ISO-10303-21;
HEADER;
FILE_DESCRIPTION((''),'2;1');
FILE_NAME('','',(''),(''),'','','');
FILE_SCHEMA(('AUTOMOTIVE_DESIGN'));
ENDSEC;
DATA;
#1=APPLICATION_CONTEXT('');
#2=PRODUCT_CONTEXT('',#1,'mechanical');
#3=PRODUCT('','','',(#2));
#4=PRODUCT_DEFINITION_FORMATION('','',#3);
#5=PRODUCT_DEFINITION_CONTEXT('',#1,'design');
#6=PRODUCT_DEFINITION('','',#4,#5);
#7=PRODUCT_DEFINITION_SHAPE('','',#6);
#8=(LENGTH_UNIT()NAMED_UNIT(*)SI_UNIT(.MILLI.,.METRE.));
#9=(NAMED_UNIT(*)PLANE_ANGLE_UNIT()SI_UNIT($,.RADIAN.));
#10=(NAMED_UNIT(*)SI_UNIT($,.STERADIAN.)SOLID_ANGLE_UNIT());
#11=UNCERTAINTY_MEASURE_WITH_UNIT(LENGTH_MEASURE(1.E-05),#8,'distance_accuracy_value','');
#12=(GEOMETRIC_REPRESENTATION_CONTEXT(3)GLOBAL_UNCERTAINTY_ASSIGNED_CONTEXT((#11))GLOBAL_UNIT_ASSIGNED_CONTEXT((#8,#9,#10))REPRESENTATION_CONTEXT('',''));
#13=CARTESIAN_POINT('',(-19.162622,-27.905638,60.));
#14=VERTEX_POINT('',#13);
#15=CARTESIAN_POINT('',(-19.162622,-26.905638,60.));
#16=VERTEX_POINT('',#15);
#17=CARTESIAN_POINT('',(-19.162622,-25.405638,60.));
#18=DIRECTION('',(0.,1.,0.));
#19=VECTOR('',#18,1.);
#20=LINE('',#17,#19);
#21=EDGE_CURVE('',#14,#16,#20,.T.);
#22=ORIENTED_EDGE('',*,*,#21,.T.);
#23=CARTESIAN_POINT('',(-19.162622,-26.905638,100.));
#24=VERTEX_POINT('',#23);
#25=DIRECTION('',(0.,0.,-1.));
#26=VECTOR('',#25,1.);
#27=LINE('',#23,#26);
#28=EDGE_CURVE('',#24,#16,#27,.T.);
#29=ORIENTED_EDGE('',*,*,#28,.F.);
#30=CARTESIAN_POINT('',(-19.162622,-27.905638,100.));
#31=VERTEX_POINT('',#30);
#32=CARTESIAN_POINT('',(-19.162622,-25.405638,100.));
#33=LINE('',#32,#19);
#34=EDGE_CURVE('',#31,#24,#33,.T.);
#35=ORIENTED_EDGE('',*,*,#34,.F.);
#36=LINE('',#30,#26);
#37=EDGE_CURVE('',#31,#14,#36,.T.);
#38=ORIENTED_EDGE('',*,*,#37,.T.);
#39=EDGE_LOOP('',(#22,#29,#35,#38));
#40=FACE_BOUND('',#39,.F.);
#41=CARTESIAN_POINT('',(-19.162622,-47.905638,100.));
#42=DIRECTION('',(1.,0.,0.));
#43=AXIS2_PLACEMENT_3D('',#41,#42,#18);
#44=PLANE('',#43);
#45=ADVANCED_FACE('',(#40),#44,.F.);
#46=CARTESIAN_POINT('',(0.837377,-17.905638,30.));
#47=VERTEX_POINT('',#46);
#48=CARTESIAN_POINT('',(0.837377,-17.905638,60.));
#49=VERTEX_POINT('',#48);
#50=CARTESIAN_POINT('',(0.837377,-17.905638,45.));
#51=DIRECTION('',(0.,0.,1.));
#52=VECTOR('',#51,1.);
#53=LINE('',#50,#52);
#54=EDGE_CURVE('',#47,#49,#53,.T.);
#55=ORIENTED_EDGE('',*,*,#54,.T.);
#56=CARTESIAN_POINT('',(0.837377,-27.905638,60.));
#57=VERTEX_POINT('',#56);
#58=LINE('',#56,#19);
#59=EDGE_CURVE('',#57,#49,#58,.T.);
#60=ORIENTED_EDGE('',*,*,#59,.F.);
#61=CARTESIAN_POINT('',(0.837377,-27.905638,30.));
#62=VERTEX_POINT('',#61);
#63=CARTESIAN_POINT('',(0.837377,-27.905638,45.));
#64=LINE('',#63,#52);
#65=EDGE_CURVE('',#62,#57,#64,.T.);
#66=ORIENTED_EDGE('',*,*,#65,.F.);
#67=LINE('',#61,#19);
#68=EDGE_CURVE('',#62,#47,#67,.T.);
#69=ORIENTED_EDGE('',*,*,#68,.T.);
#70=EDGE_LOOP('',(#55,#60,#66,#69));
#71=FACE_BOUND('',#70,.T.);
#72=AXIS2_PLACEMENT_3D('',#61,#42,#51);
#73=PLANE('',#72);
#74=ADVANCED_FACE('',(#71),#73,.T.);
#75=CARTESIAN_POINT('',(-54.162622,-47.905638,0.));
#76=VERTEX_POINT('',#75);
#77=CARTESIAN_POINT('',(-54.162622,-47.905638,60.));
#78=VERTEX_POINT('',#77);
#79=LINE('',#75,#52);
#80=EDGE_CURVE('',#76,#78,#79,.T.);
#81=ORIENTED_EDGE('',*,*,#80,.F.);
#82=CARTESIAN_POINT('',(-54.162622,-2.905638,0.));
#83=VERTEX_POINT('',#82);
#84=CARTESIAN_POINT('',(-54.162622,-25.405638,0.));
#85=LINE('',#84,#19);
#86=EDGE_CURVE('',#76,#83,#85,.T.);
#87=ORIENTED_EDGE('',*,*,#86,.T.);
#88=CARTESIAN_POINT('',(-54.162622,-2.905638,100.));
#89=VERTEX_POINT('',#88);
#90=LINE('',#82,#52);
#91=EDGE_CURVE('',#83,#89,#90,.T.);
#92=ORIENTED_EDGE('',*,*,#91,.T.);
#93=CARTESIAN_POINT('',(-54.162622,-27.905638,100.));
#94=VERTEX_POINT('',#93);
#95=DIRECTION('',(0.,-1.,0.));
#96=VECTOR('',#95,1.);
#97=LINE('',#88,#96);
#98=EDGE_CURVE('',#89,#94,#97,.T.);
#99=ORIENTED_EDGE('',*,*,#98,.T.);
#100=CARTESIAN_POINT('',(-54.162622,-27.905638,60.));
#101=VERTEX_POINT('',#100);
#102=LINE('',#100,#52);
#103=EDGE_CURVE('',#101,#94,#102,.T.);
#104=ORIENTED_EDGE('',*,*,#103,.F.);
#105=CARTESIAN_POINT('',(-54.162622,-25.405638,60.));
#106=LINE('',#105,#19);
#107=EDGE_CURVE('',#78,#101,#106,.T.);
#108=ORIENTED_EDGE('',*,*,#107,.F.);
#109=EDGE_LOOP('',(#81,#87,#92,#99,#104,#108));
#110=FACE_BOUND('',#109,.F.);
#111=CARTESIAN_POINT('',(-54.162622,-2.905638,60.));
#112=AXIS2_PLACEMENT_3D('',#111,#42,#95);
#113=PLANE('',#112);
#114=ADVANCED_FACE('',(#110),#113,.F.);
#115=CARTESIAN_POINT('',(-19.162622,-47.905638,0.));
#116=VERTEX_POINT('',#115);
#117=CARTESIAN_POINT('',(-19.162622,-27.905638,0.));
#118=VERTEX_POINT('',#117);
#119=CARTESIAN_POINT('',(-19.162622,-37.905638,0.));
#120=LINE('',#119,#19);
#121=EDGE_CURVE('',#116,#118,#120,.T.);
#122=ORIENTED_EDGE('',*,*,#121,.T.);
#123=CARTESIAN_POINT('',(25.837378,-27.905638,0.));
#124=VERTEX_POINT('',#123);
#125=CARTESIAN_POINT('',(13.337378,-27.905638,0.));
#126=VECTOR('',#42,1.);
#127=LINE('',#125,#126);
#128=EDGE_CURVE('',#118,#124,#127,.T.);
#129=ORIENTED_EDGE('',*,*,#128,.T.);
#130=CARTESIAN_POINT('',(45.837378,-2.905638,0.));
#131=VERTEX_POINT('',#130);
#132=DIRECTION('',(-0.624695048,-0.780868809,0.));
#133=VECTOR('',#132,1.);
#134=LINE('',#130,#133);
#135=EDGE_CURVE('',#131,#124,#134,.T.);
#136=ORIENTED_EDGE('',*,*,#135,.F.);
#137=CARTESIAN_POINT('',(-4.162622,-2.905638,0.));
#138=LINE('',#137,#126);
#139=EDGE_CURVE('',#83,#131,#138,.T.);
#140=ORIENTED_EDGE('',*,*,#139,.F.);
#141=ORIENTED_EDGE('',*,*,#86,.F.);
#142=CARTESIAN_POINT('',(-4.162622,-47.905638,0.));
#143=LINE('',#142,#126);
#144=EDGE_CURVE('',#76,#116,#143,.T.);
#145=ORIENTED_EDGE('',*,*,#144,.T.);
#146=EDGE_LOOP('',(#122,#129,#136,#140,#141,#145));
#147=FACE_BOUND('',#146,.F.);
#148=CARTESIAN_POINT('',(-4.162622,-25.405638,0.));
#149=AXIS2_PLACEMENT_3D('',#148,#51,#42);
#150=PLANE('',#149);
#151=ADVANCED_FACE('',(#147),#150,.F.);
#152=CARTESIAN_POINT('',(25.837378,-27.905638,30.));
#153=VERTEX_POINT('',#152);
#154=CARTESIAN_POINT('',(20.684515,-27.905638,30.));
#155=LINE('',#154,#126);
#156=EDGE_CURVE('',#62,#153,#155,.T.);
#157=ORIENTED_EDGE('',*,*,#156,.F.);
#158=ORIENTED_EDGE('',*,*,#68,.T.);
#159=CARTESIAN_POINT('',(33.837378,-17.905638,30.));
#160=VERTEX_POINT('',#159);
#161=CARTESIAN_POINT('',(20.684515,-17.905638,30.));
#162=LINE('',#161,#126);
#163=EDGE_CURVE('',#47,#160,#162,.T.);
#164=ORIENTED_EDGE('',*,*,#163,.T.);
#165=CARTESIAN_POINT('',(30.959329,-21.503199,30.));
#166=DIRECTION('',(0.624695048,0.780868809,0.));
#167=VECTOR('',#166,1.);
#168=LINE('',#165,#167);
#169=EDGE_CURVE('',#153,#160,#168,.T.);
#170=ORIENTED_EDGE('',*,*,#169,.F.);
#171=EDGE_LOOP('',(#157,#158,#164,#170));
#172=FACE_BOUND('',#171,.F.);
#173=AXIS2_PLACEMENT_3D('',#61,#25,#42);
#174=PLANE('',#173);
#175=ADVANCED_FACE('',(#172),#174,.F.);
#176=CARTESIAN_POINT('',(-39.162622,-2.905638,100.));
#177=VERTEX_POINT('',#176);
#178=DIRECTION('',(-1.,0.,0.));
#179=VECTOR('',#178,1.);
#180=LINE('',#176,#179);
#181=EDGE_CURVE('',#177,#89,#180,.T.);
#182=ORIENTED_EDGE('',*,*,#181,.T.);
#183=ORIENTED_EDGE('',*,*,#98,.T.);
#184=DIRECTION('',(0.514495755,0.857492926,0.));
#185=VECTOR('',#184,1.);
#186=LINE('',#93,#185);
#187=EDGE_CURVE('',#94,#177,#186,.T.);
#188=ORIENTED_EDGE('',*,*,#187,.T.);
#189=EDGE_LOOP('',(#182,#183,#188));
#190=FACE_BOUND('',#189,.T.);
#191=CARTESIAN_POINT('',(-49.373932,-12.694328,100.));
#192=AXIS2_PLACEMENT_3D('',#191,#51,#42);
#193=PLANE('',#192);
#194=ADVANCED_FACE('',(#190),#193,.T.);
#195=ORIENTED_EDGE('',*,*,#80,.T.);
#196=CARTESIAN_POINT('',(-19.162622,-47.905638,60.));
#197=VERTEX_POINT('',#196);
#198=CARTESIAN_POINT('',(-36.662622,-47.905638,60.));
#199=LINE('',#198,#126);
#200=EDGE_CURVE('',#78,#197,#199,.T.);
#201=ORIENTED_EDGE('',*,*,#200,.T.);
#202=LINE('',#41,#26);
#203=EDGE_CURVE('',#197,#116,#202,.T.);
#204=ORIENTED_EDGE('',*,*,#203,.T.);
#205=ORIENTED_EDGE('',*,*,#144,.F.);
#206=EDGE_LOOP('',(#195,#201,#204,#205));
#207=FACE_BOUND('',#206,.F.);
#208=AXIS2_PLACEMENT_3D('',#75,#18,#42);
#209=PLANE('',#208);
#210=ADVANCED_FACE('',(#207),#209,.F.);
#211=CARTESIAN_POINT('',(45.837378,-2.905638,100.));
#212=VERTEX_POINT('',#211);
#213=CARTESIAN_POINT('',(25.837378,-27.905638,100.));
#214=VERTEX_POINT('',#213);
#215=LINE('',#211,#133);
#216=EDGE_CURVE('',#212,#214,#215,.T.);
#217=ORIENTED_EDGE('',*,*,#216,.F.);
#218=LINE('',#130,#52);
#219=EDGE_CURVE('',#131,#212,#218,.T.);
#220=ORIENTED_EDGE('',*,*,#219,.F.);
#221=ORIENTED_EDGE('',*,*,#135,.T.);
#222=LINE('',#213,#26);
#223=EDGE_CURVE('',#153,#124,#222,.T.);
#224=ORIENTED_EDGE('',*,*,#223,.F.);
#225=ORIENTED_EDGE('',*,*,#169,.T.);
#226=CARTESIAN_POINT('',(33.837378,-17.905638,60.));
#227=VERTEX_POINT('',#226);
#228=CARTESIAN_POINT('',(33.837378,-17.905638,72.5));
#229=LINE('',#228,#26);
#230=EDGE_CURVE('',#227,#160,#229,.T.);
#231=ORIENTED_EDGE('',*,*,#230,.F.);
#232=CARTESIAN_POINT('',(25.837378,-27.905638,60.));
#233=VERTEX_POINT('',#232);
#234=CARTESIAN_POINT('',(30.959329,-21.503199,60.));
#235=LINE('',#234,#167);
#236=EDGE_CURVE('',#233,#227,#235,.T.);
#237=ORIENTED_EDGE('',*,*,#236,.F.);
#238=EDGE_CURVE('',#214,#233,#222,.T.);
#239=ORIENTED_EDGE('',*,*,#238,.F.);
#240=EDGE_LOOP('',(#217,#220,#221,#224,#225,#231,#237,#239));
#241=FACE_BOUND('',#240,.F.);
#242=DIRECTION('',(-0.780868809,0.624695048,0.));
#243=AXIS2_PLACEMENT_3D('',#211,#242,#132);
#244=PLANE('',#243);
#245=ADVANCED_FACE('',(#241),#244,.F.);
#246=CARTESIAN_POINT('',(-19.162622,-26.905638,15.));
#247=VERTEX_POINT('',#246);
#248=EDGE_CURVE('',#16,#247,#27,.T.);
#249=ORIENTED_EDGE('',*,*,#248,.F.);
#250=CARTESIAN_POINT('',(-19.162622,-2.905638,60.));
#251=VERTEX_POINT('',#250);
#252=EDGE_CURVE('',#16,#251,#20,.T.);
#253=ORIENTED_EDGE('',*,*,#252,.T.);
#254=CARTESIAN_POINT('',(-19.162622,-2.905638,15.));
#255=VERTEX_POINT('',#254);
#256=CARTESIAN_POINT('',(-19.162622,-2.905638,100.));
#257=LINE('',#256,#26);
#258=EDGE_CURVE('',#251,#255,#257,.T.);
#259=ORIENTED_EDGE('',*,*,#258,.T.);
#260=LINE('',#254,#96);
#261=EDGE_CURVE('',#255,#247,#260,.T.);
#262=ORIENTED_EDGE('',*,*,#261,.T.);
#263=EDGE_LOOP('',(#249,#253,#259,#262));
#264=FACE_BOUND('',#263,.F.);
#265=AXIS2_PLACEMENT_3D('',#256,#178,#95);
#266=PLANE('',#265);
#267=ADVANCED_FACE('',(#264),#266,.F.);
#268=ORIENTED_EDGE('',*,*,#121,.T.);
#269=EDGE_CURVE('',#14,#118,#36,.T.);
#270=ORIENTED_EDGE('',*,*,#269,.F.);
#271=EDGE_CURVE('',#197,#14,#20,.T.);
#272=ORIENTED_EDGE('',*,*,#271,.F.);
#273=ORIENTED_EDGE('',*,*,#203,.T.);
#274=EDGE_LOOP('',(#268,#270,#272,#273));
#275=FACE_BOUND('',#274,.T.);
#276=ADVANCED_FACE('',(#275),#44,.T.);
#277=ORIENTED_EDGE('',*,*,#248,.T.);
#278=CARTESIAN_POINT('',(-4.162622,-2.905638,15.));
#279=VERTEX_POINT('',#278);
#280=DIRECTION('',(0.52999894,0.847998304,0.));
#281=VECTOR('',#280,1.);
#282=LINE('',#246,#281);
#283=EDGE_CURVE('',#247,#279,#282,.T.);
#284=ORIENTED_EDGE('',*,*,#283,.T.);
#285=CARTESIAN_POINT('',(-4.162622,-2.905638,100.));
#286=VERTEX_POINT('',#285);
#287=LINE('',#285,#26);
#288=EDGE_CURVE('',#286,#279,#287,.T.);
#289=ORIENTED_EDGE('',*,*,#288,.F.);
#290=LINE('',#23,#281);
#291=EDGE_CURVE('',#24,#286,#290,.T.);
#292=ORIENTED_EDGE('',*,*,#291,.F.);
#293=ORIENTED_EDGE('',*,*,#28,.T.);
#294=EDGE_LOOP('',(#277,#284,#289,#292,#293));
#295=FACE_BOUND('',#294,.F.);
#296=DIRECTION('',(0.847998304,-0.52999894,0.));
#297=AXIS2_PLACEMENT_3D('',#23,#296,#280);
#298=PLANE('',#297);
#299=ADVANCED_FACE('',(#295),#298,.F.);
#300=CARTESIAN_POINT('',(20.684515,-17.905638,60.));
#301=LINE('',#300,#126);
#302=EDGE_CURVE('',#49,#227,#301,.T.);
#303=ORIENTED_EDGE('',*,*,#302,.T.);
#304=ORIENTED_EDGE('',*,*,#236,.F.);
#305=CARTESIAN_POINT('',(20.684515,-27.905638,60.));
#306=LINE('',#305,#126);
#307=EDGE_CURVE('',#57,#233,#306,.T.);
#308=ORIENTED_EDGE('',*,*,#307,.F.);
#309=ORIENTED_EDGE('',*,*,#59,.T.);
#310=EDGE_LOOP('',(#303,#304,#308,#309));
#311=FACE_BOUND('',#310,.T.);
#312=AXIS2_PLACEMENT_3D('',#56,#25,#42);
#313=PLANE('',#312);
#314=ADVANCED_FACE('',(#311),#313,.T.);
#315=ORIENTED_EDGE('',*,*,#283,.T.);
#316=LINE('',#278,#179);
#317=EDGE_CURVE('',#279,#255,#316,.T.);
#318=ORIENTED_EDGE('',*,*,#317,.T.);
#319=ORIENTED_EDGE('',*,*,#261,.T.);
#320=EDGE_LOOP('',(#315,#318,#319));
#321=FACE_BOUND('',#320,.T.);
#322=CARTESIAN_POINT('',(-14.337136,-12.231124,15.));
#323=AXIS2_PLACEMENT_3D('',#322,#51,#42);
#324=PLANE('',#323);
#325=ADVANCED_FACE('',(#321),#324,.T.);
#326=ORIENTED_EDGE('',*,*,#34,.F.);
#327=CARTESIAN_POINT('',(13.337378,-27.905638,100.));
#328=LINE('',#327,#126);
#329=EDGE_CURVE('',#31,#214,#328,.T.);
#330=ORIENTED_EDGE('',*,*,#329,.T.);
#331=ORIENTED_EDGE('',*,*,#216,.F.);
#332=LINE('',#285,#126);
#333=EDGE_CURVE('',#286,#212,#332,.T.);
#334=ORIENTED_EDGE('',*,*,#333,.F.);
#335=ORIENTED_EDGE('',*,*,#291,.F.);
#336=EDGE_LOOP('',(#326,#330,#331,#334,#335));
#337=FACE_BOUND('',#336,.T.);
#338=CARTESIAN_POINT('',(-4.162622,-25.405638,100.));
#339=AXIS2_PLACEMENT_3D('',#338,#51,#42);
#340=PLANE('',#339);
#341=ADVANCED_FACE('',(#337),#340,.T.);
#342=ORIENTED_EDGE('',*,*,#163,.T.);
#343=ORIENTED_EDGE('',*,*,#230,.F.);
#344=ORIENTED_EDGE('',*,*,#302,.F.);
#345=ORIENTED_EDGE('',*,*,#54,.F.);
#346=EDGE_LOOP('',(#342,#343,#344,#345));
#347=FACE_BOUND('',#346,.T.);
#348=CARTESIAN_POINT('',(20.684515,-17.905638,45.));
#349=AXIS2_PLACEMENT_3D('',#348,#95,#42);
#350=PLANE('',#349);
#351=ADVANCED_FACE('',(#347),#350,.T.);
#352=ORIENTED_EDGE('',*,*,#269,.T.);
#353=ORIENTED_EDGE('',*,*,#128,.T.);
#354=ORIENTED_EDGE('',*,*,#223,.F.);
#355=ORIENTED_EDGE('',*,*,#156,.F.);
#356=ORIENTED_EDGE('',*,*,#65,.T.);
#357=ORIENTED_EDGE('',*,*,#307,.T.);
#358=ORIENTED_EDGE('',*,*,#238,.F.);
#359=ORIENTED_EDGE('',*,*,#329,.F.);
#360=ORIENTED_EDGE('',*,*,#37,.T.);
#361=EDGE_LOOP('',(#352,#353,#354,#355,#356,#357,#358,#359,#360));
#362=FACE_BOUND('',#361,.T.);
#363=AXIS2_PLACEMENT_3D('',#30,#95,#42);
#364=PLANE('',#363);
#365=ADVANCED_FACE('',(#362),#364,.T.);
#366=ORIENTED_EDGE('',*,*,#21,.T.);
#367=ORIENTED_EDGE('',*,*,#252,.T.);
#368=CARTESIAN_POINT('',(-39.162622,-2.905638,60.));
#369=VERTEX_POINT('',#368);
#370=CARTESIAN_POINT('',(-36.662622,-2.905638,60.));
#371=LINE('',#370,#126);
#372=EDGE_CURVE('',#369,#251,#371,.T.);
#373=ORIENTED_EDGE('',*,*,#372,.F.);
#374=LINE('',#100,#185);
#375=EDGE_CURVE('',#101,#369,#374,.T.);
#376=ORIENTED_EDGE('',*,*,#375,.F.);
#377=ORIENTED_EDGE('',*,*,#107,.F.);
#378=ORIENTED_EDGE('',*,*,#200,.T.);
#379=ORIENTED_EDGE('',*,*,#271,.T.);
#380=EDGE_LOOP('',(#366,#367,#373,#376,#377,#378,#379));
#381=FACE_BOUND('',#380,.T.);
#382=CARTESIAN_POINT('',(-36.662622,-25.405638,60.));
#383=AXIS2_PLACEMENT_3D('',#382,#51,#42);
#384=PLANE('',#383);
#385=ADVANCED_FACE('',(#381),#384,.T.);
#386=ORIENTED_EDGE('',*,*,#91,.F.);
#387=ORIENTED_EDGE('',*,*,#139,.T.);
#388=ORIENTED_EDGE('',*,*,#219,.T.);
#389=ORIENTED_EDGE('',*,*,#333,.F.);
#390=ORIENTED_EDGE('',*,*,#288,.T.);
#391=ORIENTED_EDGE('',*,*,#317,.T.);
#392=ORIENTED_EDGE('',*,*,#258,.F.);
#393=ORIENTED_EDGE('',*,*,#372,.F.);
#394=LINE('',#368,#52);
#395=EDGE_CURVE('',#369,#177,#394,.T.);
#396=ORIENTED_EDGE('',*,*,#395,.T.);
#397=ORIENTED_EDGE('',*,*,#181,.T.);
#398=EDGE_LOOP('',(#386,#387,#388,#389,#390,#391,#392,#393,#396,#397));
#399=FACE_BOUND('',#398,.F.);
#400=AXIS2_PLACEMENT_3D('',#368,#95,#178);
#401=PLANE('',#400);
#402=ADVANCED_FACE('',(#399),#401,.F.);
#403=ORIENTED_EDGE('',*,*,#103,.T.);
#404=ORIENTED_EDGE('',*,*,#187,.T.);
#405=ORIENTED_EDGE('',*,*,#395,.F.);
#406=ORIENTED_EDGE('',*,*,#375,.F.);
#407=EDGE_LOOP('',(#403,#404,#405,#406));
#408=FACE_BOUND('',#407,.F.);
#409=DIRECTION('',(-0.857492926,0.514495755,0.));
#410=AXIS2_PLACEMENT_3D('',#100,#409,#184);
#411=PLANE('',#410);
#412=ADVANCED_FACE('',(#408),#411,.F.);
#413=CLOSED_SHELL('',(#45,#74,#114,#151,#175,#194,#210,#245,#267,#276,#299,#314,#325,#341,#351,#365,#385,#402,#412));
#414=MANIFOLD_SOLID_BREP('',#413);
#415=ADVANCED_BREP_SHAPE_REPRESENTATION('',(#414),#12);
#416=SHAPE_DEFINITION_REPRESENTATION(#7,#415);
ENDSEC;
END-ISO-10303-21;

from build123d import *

# Parameters (mm, degrees)
F0_W      = 100
F0_H      = 45
F1_DEPTH  = 100
F2_W      = 35
F2_H      = 45
F3_DEPTH  = 40
F5_DEPTH  = 40
F6_W      = 65
F6_H      = 20
F7_DEPTH  = 100
F9_DEPTH  = 85
F11_W     = 39.694275
F11_H     = 30
F12_DEPTH = 10
F13_DEPTH = 100


with BuildPart() as f1:
    # F0 (on Top) → F1 (new body)
    with BuildSketch(Plane.XY):
        with Locations((-4.162622, -25.405638)):
            Rectangle(F0_W, F0_H)
    extrude(amount=F1_DEPTH)

    # F2 (on face) → F3 (cut)
    with BuildSketch(Plane.XY.offset(100)):
        with Locations((-36.662622, -25.405638)):
            Rectangle(F2_W, F2_H)
    extrude(amount=-F3_DEPTH, mode=Mode.SUBTRACT)

    # F4 (on face) → F5 (join)
    with BuildSketch(Plane.XY.offset(60)):
        Polygon((-39.162622, -2.905638), (-54.162622, -2.905638), (-54.162622, -27.905638), align=None)
    extrude(amount=F5_DEPTH)

    # F6 (on face) → F7 (cut)
    with BuildSketch(Plane.XY.offset(100)):
        with Locations((13.337378, -37.905638)):
            Rectangle(F6_W, F6_H)
    extrude(amount=-F7_DEPTH, mode=Mode.SUBTRACT)

    # F8 (on face) → F9 (cut)
    with BuildSketch(Plane.XY.offset(100)):
        Polygon((-19.162622, -26.905638), (-4.162622, -2.905638), (-19.162622, -2.905638), align=None)
    extrude(amount=-F9_DEPTH, mode=Mode.SUBTRACT)

    # F11 (on face) → F12 (cut)
    with BuildSketch(Plane.XZ.offset(27.905638)):
        with Locations((20.684515, 45)):
            Rectangle(F11_W, F11_H)
    extrude(amount=-F12_DEPTH, mode=Mode.SUBTRACT)

    # F10 (on face) → F13 (cut)
    with BuildSketch(Plane.XY.offset(100)):
        Polygon((25.837378, -27.905638), (45.837378, -27.905638), (45.837378, -2.905638), align=None)
    extrude(amount=-F13_DEPTH, mode=Mode.SUBTRACT)


solid = f1.part
